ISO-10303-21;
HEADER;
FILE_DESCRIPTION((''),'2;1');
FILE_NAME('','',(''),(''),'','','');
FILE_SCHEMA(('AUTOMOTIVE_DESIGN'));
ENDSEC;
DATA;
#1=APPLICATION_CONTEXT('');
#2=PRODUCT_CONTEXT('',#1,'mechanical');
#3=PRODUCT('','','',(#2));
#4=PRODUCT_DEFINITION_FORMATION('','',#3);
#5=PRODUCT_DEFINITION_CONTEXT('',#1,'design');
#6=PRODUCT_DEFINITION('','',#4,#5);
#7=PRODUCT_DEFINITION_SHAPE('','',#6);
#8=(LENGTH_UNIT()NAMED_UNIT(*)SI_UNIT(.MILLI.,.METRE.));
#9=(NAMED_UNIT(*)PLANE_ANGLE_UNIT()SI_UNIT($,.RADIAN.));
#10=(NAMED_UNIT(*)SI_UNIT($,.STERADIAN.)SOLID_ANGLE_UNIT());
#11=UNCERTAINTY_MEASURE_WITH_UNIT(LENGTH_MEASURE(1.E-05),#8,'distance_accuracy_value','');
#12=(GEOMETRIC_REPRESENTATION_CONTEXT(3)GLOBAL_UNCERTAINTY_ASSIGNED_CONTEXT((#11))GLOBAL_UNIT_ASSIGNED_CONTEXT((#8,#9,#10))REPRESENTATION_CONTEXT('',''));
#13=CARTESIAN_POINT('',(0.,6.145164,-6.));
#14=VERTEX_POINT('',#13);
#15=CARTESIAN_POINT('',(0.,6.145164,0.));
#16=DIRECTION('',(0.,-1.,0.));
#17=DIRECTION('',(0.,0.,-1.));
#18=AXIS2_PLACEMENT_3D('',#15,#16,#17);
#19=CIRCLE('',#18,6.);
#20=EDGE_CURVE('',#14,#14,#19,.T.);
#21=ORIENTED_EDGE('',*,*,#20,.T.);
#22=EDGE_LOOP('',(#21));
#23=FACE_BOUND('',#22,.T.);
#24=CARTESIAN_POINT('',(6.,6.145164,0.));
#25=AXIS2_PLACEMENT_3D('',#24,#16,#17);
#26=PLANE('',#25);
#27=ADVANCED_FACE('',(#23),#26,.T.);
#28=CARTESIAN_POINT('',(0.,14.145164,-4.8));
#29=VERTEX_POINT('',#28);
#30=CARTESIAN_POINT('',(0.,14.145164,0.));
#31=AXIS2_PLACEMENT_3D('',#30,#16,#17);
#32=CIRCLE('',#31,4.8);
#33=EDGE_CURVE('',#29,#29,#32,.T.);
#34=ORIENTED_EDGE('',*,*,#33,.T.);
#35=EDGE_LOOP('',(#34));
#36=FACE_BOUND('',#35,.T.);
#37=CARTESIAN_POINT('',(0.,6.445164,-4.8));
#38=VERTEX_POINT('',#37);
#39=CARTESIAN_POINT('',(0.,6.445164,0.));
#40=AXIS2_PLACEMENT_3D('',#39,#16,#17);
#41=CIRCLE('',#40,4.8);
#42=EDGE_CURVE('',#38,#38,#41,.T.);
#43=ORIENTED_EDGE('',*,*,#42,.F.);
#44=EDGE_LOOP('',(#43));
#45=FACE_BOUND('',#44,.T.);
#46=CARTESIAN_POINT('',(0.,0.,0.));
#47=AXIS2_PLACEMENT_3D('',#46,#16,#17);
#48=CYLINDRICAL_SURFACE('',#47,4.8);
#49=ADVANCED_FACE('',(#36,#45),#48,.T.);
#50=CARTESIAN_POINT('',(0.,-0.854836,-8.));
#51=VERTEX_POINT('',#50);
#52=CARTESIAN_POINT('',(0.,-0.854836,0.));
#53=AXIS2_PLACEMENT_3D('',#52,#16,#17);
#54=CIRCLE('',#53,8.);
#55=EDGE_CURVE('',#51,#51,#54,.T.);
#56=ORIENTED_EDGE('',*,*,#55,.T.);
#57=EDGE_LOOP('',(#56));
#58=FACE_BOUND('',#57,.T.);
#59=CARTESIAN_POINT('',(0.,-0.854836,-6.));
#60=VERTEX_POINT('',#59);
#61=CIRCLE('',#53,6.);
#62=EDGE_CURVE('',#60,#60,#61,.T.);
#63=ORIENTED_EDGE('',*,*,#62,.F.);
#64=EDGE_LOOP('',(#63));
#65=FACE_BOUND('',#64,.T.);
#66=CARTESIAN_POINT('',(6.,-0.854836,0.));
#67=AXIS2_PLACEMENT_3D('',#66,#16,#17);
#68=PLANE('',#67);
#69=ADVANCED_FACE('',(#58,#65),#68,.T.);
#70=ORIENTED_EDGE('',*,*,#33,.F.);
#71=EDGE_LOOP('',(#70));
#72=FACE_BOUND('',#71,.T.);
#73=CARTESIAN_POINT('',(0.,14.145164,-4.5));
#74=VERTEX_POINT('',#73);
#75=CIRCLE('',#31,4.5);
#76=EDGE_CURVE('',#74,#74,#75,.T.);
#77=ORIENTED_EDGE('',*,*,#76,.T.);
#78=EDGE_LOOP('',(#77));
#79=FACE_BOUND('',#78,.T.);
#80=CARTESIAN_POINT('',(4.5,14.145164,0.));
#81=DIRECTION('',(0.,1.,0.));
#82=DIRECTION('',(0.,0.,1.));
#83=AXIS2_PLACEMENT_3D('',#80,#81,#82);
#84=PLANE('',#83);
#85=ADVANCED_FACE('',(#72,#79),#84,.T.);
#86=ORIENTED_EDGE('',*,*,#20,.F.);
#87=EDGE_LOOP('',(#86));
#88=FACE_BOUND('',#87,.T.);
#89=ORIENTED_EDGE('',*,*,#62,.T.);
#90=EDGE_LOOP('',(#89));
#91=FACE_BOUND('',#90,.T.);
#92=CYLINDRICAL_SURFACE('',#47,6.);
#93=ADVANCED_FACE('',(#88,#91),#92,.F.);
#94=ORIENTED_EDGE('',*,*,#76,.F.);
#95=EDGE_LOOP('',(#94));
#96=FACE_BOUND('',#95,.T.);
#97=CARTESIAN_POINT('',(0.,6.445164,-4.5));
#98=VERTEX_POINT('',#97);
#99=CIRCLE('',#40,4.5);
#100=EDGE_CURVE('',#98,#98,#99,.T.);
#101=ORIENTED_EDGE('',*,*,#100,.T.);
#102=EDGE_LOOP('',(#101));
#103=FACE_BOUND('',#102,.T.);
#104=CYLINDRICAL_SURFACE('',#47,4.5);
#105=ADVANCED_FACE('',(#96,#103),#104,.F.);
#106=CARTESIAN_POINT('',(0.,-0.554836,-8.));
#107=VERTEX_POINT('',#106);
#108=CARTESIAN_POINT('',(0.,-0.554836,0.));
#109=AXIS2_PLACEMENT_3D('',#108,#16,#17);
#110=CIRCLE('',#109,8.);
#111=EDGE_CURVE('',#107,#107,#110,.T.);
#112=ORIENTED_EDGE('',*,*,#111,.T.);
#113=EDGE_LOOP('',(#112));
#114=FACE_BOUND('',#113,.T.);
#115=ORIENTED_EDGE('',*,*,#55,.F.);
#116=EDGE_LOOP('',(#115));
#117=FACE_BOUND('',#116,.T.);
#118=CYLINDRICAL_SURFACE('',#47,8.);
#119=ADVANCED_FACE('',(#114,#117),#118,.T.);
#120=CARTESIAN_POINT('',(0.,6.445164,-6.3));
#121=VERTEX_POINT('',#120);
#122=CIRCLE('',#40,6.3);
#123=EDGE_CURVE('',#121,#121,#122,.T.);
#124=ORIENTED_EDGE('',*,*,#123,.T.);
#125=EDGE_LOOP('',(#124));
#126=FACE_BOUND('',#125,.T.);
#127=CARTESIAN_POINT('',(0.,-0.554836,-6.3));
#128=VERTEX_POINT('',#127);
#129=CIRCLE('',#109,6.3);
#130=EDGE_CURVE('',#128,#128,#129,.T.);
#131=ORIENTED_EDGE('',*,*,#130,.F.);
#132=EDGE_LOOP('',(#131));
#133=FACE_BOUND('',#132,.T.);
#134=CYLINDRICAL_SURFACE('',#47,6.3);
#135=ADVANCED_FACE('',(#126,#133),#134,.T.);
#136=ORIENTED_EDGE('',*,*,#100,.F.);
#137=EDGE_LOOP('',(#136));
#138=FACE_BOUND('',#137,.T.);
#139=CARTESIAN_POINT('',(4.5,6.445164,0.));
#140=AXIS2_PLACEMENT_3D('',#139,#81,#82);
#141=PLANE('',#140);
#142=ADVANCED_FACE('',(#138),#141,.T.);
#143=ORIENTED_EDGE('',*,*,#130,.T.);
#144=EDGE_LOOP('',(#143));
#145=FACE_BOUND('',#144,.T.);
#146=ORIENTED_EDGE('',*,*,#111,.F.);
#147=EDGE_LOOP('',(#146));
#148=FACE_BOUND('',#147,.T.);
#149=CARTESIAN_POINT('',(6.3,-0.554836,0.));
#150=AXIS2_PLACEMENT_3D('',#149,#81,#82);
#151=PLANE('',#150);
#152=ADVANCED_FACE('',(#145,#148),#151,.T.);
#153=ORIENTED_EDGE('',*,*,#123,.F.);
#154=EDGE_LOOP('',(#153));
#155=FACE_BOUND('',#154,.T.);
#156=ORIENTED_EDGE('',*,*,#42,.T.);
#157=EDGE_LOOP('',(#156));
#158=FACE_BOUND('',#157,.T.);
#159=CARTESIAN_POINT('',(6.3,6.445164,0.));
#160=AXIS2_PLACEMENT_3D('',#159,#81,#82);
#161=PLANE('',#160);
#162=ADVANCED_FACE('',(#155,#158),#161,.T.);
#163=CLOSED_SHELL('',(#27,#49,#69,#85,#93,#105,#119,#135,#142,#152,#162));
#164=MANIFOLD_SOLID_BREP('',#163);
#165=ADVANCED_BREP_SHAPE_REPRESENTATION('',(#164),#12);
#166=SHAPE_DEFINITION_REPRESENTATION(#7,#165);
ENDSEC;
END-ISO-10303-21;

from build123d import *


with BuildPart() as part:
    # Sketch1 → Revolve1 (revolve)
    with BuildSketch(Plane.XY):
        Polygon((6, -0.854835863), (6, 6.145164137), (0, 6.145164137), (0, 6.445164137), (4.5, 6.445164137), (4.5, 14.145164137), (4.8, 14.145164137), (4.8, 6.445164137), (6.3, 6.445164137), (6.3, -0.554835863), (8, -0.554835863), (8, -0.854835863), align=None)
    revolve(axis=Axis((0, 0, 0), (0, 1, 0)))


solid = part.part
